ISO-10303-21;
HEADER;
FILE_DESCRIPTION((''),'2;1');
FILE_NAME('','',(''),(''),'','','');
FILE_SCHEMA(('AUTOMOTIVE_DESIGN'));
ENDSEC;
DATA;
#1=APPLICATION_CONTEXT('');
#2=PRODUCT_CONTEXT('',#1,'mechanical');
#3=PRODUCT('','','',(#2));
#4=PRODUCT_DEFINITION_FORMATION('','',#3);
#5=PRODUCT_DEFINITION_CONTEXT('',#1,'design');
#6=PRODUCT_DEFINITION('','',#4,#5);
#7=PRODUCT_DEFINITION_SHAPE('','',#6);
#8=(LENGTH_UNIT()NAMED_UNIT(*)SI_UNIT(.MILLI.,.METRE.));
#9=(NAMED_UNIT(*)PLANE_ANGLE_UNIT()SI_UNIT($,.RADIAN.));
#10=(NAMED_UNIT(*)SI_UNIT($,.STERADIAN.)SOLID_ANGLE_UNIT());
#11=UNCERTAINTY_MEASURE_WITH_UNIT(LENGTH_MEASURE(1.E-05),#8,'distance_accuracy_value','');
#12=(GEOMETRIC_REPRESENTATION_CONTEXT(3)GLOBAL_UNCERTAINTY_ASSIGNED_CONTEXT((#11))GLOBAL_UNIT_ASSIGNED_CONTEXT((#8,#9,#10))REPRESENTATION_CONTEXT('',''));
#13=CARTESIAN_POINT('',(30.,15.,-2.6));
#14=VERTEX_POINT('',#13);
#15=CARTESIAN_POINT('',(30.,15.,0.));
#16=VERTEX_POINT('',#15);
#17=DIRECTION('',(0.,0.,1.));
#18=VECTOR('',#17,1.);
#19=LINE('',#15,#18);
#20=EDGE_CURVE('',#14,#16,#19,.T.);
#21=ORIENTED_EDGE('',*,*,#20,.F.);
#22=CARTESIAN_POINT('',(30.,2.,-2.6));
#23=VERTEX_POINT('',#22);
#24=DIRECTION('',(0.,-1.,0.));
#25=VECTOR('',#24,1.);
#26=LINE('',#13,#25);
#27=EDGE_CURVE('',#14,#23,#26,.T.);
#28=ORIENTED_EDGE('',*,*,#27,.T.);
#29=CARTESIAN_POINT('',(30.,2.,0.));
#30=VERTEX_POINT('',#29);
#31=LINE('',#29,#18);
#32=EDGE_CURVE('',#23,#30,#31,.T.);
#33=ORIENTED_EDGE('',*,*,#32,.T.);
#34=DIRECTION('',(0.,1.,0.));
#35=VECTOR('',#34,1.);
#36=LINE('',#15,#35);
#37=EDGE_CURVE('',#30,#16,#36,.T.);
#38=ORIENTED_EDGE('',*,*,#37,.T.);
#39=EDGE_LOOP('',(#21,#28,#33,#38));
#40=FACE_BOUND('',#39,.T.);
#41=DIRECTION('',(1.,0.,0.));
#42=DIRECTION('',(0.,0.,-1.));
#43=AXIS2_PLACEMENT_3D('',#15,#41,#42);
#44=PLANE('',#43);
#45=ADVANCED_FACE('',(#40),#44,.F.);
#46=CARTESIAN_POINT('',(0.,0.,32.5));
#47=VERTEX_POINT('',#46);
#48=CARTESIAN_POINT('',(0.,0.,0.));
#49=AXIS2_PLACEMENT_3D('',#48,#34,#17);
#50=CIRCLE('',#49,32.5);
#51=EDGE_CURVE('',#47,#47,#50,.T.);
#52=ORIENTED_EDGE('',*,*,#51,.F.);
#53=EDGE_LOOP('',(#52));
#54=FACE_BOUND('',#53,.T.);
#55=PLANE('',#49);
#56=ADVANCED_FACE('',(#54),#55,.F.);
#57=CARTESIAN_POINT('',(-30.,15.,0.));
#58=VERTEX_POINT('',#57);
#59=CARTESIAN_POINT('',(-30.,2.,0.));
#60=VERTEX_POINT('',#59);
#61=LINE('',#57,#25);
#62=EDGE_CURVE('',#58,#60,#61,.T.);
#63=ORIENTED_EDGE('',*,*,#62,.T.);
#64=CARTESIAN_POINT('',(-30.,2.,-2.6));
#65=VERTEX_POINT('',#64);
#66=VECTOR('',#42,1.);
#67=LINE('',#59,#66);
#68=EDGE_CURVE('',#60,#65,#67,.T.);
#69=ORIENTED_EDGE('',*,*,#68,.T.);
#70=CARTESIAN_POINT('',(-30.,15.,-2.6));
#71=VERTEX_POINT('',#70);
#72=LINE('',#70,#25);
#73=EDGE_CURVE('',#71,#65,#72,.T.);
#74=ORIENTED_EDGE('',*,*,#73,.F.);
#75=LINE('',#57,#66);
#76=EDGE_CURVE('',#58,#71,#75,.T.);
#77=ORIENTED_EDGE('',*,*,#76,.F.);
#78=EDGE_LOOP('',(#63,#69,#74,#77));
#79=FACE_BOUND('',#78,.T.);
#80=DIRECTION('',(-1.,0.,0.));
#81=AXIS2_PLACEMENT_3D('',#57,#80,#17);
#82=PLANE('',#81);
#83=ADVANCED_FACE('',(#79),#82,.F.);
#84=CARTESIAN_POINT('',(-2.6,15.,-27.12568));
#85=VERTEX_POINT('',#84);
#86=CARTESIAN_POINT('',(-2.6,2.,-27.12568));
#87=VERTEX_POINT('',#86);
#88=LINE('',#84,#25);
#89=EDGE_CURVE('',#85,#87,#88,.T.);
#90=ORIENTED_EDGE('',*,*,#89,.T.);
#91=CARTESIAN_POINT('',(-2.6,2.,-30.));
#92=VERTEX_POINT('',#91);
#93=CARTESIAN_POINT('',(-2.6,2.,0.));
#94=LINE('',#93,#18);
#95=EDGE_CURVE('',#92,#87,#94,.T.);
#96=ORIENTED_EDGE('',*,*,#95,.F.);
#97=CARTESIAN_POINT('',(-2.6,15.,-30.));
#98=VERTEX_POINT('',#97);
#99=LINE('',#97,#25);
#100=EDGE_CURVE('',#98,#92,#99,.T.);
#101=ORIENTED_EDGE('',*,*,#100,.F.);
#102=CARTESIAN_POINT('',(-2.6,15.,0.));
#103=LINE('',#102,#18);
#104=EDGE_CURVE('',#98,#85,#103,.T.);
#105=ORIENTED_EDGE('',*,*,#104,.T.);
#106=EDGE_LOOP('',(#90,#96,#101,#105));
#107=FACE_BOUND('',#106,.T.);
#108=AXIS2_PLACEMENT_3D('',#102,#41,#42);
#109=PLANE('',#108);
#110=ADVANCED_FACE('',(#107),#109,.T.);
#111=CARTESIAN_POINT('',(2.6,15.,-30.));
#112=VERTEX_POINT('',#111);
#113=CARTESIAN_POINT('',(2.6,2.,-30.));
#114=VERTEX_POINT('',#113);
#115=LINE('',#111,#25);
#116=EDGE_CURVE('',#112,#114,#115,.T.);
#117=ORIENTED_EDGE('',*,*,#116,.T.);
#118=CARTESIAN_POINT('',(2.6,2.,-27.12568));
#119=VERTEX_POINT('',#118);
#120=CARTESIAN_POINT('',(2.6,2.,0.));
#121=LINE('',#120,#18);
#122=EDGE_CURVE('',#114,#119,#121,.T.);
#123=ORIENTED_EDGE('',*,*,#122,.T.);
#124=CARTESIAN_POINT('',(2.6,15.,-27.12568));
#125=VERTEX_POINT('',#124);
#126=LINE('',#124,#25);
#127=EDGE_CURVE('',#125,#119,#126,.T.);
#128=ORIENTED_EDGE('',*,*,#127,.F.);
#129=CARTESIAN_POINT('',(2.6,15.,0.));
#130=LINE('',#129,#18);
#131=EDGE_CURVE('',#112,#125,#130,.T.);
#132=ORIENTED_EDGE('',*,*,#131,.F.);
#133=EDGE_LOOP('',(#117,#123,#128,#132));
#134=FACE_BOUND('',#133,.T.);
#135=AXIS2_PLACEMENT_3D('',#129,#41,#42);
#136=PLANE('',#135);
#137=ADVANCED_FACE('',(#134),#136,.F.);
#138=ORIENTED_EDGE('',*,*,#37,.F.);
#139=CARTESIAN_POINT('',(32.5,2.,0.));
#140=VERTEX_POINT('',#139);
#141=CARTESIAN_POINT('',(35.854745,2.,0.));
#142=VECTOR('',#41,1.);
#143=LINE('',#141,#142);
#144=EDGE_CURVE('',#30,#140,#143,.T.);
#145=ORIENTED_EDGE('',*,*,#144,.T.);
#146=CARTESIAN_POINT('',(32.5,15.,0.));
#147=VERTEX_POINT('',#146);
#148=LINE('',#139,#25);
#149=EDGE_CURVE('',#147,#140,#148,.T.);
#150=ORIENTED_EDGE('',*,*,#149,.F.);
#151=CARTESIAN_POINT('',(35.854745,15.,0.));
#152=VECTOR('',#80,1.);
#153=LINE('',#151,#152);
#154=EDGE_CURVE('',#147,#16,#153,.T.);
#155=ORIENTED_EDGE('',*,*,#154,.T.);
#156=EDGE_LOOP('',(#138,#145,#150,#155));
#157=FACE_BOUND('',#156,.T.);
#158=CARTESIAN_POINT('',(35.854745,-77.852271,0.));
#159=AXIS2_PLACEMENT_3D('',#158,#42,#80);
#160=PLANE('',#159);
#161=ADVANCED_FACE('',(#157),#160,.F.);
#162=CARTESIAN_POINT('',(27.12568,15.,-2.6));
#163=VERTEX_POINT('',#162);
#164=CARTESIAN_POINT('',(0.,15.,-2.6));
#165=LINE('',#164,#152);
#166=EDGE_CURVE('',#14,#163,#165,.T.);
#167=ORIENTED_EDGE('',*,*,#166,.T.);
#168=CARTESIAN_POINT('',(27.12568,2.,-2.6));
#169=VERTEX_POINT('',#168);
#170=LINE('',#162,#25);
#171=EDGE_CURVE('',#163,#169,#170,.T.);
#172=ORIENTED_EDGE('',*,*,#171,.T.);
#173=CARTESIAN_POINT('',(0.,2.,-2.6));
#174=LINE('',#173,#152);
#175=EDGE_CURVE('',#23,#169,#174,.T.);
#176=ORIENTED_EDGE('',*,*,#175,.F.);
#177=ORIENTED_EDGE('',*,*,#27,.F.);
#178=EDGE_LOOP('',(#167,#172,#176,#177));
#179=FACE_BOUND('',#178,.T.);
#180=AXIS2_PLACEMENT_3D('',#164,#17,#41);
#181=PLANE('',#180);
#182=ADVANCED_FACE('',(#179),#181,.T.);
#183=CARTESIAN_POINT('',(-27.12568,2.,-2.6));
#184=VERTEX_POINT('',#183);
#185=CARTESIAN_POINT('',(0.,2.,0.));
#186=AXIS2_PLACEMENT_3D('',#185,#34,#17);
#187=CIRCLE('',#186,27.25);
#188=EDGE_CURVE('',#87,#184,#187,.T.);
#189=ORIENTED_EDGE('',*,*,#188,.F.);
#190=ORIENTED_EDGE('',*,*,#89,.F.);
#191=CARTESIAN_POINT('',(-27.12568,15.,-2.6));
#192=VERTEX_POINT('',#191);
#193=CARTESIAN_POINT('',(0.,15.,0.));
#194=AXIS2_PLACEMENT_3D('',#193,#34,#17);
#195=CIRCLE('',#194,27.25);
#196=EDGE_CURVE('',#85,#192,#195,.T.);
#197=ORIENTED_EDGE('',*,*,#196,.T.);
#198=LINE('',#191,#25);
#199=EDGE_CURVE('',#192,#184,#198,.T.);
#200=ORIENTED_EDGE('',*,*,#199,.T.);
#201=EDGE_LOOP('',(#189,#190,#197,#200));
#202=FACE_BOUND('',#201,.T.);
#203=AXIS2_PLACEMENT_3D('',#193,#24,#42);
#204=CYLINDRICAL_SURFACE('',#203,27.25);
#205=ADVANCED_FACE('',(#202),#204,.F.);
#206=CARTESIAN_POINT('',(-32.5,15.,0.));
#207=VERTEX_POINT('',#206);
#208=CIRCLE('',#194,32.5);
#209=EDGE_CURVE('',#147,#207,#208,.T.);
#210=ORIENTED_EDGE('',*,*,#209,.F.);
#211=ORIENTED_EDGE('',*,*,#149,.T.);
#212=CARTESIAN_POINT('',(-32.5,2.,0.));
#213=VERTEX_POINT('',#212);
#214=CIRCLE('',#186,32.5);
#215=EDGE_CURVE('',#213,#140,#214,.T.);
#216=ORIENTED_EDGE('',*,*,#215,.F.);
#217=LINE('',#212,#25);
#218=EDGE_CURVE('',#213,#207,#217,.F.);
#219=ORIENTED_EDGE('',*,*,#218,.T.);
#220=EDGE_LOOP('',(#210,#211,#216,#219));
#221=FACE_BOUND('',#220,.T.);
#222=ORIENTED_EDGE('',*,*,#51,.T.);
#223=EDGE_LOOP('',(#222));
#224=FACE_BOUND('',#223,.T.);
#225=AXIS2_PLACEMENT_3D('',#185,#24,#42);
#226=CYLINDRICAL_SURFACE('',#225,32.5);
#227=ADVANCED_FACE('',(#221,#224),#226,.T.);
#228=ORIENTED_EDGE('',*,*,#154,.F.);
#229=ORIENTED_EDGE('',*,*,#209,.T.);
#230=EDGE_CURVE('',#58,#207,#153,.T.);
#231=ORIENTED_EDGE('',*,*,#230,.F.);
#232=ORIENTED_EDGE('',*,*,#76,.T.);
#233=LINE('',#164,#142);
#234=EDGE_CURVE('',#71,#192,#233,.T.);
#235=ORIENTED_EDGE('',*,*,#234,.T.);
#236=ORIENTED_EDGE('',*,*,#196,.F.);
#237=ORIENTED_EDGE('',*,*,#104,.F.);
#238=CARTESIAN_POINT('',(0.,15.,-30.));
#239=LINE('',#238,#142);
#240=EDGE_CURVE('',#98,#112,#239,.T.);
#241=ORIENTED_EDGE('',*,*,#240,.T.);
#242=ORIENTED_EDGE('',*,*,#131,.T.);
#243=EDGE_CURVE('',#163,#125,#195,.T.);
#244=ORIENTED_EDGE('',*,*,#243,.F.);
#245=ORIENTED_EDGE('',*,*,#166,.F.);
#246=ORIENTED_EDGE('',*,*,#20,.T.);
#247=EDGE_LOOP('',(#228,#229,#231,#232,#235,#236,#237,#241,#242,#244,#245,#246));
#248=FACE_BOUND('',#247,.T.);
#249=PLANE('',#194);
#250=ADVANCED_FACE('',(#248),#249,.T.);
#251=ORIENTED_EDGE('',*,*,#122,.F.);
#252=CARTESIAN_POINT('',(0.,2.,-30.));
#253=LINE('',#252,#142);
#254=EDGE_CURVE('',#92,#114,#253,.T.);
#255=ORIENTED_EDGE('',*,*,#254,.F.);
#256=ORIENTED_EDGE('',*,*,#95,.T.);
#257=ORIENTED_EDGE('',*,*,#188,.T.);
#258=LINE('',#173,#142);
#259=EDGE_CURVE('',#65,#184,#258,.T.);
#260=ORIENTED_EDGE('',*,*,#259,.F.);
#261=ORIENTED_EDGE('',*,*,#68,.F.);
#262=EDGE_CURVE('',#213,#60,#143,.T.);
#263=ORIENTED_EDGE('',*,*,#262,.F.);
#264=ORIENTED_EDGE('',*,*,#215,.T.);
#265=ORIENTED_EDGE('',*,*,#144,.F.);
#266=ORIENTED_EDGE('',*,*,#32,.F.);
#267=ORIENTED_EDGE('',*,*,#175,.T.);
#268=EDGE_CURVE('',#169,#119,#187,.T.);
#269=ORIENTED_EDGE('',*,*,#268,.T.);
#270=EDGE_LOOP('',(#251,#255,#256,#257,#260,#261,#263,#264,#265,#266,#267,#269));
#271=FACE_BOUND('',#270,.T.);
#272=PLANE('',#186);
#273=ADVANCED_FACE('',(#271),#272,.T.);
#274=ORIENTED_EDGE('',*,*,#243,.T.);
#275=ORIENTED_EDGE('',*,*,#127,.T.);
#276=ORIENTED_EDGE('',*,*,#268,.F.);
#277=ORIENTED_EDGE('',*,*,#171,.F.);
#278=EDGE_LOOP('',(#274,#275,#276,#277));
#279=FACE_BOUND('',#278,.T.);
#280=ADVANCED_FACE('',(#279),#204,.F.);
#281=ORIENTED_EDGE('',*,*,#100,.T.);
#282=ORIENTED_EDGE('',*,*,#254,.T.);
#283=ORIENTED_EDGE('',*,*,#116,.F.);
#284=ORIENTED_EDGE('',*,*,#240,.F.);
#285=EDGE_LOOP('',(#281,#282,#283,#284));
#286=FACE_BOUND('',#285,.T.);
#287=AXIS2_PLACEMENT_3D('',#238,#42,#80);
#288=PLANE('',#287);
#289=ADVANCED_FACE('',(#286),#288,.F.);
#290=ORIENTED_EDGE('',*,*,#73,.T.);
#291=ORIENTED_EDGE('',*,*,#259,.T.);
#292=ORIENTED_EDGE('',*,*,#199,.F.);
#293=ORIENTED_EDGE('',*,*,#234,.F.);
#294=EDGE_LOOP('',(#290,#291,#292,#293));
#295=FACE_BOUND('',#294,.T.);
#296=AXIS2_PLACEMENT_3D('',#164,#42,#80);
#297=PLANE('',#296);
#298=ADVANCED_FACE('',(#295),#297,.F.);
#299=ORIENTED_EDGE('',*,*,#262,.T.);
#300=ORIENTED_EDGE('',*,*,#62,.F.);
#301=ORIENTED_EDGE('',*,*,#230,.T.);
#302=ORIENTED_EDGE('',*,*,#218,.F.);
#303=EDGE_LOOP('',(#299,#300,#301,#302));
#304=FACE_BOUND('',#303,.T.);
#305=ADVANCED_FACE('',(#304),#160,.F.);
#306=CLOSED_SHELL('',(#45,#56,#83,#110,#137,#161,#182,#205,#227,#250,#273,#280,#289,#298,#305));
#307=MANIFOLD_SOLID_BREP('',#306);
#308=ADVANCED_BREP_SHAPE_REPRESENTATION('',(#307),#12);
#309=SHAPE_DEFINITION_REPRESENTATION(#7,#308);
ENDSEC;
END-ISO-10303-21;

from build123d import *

# Parameters (mm, degrees)
SKETCH1_R           = 32.5
BOSS_EXTRUDE1_DEPTH = 2
SKETCH2_R           = 32.5
BOSS_EXTRUDE2_DEPTH = 13
SKETCH6_W           = 71.390071862
SKETCH6_H           = 35.774890597
CUT_EXTRUDE4_DEPTH  = 13


with BuildPart() as part:
    # Sketch1 → Boss-Extrude1 (new body)
    with BuildSketch(Plane(origin=(0, 0, 0), x_dir=(1, 0, 0), z_dir=(0, 1, 0))):
        with Locations(Location((0, 0, 0), (0, 0, 270))):
            Circle(SKETCH1_R)
    extrude(amount=BOSS_EXTRUDE1_DEPTH)

    # Sketch2 → Boss-Extrude2 (add)
    with BuildSketch(Plane(origin=(0, 2, 0), x_dir=(1, 0, 0), z_dir=(0, 1, 0))):
        with Locations(Location((0, 0, 0), (0, 0, 270))):
            Circle(SKETCH2_R)
        with BuildLine():
            Line((2.6, -27.125679715), (2.6, -30))
            Line((2.6, -30), (-2.6, -30))
            Line((-2.6, -30), (-2.6, -27.125679715))
            ThreePointArc((-2.6, -27.125679715), (-19.268659787, -19.268659787), (-27.125679715, -2.6))
            Line((-27.125679715, -2.6), (-30, -2.6))
            Line((-30, -2.6), (-30, 2.6))
            Line((-30, 2.6), (-27.125679715, 2.6))
            ThreePointArc((-27.125679715, 2.6), (-19.268659787, 19.268659787), (-2.6, 27.125679715))
            Line((-2.6, 27.125679715), (-2.6, 30))
            Line((-2.6, 30), (2.6, 30))
            Line((2.6, 30), (2.6, 27.125679715))
            ThreePointArc((2.6, 27.125679715), (19.268659787, 19.268659787), (27.125679715, 2.6))
            Line((27.125679715, 2.6), (30, 2.6))
            Line((30, 2.6), (30, -2.6))
            Line((30, -2.6), (27.125679715, -2.6))
            ThreePointArc((27.125679715, -2.6), (19.268659787, -19.268659787), (2.6, -27.125679715))
        make_face(mode=Mode.SUBTRACT)
    extrude(amount=BOSS_EXTRUDE2_DEPTH)

    # Sketch6 → Cut-Extrude4 (cut)
    with BuildSketch(Plane(origin=(0, 15, 0), x_dir=(1, 0, 0), z_dir=(0, 1, 0))):
        with Locations((0.159709333, -17.887445299)):
            Rectangle(SKETCH6_W, SKETCH6_H)
    extrude(amount=-CUT_EXTRUDE4_DEPTH, mode=Mode.SUBTRACT)


solid = part.part
